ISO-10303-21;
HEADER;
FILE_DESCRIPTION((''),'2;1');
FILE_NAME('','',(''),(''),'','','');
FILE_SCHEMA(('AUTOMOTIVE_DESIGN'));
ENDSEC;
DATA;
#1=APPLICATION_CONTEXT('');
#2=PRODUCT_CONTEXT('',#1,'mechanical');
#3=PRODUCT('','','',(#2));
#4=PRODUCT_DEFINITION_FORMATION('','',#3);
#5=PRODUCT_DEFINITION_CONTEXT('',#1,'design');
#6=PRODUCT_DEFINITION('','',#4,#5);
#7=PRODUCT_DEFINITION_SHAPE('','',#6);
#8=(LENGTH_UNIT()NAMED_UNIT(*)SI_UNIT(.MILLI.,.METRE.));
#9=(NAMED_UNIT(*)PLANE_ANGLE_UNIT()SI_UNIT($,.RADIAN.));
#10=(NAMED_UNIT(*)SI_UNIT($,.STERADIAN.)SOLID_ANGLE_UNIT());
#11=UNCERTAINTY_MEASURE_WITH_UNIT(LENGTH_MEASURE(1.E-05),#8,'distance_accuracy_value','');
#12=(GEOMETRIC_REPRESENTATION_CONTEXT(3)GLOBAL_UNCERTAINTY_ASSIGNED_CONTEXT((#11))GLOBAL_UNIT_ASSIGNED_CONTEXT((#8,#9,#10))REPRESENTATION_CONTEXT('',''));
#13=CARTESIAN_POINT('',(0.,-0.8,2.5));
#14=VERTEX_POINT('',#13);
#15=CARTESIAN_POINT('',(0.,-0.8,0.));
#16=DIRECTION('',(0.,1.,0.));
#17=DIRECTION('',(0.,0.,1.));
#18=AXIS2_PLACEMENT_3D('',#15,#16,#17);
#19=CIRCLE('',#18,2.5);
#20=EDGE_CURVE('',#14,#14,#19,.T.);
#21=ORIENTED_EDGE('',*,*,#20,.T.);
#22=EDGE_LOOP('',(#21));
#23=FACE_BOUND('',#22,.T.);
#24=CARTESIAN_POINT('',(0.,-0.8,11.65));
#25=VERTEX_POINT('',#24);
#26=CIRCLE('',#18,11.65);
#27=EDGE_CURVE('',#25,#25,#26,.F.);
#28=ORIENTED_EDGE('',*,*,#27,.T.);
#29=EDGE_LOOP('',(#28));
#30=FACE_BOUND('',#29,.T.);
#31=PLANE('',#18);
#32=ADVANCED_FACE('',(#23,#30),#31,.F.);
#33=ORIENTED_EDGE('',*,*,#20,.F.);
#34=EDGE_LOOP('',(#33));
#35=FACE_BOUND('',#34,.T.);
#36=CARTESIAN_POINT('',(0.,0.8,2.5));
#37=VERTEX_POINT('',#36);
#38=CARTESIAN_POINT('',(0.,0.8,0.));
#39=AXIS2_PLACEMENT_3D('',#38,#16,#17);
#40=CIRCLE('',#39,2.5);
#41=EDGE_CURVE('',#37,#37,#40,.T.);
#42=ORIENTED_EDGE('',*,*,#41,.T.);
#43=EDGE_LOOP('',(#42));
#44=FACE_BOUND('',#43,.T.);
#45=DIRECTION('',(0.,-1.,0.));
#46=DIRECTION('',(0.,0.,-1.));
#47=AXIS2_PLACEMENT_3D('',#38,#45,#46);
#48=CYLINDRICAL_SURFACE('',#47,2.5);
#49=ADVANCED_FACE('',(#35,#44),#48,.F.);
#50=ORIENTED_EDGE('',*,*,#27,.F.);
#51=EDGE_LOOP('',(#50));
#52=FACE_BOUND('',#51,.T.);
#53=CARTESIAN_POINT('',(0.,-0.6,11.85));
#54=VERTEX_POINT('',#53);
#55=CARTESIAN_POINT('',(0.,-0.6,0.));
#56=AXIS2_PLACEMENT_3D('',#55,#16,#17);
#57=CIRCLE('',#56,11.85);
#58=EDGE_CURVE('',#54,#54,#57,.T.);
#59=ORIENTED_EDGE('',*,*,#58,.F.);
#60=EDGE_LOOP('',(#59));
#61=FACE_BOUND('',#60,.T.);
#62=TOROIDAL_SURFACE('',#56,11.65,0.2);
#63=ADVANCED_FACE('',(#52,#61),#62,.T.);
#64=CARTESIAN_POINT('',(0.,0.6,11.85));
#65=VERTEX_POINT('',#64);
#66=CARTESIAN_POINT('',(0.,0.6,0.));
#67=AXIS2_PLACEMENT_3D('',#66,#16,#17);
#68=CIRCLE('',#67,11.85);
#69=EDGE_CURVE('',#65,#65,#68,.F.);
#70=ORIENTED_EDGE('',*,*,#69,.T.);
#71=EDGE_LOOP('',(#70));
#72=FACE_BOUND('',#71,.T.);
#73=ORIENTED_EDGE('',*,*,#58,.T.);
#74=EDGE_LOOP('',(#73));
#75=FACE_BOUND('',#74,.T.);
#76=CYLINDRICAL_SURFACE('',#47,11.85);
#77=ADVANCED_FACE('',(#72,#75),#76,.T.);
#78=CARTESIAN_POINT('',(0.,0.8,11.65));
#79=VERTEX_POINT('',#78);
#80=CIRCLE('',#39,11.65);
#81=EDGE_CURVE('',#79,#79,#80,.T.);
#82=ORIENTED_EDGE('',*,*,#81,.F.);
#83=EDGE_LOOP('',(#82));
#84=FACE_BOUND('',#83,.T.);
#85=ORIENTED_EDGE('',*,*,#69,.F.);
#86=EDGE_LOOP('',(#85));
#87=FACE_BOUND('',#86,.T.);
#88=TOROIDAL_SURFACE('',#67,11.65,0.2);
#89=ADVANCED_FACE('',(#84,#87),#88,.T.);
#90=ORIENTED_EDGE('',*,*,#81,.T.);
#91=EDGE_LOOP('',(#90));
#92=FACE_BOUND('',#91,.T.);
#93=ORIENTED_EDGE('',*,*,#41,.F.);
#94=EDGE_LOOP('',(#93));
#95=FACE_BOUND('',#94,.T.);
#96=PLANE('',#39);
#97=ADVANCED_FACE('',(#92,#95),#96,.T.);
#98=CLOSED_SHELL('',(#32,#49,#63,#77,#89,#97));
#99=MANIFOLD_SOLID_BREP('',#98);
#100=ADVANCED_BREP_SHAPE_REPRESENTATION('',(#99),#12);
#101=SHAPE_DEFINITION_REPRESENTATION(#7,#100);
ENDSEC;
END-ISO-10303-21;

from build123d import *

# Parameters (mm, degrees)
ESBO_O1_R                = 11.85
ESBO_O1_R_2              = 2.5
RESSALTO_EXTRUS_O1_DEPTH = 0.8
FILETE1_R                = 0.2


with BuildPart() as part:
    # Esboço1 → Ressalto-extrusão1 (new, symmetric)
    with BuildSketch(Plane(origin=(0, 0, 0), x_dir=(1, 0, 0), z_dir=(0, 1, 0))):
        with Locations(Location((0, 0, 0), (0, 0, 270))):
            Circle(ESBO_O1_R)
        with Locations(Location((0, 0, 0), (0, 0, 270))):
            Circle(ESBO_O1_R_2, mode=Mode.SUBTRACT)
    extrude(amount=RESSALTO_EXTRUS_O1_DEPTH, both=True)

    # Filete1
    filete1_edges = [part.edges().sort_by_distance(p)[0] for p in [
        (0, -0.8, -11.85),
        (0, 0.8, -11.85),
    ]]
    fillet(filete1_edges, radius=FILETE1_R)


solid = part.part
